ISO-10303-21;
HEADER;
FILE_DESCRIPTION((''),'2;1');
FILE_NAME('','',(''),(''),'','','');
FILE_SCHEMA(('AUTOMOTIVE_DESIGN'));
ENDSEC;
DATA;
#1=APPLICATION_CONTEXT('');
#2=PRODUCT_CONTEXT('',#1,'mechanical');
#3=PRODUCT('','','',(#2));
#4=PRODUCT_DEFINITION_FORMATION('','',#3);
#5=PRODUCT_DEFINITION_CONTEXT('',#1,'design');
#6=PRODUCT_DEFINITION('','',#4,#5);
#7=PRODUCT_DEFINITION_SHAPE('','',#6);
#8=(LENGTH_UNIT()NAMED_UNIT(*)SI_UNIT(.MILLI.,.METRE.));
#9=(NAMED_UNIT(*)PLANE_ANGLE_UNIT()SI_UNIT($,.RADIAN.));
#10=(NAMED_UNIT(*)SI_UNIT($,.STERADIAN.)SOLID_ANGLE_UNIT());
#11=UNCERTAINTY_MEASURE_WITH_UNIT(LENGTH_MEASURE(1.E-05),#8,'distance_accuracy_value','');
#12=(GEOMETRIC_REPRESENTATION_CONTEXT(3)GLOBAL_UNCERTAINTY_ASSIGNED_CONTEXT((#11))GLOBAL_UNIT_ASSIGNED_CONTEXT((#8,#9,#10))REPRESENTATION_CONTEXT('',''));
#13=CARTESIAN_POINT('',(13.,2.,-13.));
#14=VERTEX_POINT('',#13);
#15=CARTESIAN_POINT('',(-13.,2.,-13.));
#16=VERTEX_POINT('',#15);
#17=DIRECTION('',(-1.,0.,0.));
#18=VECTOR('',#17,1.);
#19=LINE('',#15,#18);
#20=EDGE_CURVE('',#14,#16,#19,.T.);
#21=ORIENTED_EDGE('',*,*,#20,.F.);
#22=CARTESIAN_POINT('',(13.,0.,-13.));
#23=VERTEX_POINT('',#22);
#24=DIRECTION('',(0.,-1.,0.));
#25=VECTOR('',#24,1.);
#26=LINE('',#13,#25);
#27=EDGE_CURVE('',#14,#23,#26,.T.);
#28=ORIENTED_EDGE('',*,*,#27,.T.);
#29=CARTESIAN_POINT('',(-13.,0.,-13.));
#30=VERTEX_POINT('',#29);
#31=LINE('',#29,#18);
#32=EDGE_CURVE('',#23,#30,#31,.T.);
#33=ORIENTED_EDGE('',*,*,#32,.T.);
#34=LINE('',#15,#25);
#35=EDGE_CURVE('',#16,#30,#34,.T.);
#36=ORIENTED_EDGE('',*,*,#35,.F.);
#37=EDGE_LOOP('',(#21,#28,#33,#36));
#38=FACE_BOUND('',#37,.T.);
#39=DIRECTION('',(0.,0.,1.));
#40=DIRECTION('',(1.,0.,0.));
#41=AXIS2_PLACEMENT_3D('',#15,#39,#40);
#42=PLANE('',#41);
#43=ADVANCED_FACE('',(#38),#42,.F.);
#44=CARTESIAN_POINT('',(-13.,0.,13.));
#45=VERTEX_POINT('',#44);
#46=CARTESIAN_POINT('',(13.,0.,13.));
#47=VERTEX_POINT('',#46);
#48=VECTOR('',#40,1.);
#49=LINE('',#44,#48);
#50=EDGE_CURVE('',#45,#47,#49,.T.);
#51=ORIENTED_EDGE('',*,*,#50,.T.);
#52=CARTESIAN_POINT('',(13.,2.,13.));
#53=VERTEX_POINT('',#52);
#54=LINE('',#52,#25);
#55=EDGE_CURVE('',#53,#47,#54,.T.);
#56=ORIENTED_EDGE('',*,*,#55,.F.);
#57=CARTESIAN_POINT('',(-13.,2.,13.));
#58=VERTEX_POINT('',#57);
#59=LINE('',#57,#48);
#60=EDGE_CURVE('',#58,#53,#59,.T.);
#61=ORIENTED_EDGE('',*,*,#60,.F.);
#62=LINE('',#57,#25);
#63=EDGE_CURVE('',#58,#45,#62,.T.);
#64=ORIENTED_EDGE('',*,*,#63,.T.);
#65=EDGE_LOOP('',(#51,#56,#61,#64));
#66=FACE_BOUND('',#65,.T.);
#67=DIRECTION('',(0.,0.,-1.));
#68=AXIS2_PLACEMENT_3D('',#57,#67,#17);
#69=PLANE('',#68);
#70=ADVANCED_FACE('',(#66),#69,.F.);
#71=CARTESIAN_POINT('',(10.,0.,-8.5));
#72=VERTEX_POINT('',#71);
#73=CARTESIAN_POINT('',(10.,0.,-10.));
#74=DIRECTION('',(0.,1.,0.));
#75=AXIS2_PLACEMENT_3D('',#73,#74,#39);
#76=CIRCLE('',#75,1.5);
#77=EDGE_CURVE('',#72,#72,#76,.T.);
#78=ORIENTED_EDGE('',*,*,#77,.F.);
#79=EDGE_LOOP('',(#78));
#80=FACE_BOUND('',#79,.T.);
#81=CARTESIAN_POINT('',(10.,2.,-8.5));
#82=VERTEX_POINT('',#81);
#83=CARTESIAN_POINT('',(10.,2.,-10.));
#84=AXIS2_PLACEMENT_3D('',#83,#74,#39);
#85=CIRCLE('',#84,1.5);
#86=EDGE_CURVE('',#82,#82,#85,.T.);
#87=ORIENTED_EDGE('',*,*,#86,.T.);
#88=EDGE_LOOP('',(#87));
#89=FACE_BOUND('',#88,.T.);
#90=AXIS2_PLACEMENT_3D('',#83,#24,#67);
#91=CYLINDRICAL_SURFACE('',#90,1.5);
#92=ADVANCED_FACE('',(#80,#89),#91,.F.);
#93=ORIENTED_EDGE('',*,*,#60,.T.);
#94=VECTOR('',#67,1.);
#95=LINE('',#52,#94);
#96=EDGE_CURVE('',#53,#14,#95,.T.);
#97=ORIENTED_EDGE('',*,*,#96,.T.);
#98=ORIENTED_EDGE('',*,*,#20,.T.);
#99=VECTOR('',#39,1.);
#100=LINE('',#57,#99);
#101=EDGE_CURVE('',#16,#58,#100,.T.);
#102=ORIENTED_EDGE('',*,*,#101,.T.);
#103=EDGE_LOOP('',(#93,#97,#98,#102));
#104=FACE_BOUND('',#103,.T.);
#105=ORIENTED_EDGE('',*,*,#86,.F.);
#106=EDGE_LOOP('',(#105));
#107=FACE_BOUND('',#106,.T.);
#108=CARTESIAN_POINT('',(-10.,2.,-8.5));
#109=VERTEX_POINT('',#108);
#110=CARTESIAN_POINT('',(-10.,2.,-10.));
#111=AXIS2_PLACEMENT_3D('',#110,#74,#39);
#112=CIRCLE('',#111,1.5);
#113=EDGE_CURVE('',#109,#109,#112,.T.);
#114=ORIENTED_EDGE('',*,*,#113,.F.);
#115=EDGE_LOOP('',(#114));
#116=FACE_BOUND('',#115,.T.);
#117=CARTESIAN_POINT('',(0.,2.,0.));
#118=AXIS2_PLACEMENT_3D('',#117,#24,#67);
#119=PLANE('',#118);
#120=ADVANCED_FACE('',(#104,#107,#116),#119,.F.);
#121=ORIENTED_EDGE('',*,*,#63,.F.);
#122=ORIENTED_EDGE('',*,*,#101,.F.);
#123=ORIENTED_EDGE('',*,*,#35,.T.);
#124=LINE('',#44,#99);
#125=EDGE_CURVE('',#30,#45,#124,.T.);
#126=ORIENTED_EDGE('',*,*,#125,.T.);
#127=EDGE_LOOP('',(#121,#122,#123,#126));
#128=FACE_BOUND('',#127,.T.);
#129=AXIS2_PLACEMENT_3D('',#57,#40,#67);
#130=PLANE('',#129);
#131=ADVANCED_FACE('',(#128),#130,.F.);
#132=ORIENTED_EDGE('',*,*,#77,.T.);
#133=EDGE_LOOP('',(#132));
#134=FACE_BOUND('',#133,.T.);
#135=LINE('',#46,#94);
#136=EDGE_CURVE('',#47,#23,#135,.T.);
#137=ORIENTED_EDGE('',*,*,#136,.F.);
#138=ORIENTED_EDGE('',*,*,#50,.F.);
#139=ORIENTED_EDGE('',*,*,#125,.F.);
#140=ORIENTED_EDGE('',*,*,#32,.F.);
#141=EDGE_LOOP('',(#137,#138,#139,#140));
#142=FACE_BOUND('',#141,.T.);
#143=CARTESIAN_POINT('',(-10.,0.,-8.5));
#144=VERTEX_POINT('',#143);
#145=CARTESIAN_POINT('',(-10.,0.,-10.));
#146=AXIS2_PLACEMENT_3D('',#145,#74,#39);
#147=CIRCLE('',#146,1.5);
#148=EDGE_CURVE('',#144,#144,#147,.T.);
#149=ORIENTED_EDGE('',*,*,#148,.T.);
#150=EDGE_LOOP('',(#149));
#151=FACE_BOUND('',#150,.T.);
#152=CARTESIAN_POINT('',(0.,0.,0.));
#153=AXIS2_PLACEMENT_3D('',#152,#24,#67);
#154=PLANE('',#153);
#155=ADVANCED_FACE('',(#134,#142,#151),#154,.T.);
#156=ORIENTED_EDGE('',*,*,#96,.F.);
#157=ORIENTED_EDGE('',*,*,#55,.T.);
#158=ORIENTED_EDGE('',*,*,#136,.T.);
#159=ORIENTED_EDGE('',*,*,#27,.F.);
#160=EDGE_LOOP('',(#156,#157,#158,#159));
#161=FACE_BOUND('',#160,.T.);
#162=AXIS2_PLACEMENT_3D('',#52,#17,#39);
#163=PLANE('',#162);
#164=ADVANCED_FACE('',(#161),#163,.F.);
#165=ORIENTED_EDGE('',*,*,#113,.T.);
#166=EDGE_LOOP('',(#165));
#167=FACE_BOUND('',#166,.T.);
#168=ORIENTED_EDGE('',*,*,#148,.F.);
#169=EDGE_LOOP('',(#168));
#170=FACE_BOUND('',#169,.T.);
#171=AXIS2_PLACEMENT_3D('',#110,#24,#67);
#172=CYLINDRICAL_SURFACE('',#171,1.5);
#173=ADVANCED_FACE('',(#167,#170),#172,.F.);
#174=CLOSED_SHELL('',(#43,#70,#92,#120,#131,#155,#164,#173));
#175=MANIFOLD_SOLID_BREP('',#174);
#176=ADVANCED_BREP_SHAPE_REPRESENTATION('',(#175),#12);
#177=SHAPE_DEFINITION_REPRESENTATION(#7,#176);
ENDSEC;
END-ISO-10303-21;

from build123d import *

# Parameters (mm, degrees)
SKETCH1_W           = 26
SKETCH1_H           = 26
SKETCH1_R           = 1.5
BOSS_EXTRUDE1_DEPTH = 2


with BuildPart() as part:
    # Sketch1 → Boss-Extrude1 (new body)
    with BuildSketch(Plane(origin=(0, 0, 0), x_dir=(1, 0, 0), z_dir=(0, 1, 0))):
        Rectangle(SKETCH1_W, SKETCH1_H)
        with Locations(Location((-10, 10, 0), (0, 0, 270))):
            Circle(SKETCH1_R, mode=Mode.SUBTRACT)
        with Locations(Location((10, 10, 0), (0, 0, 270))):
            Circle(SKETCH1_R, mode=Mode.SUBTRACT)
    extrude(amount=BOSS_EXTRUDE1_DEPTH)


solid = part.part
